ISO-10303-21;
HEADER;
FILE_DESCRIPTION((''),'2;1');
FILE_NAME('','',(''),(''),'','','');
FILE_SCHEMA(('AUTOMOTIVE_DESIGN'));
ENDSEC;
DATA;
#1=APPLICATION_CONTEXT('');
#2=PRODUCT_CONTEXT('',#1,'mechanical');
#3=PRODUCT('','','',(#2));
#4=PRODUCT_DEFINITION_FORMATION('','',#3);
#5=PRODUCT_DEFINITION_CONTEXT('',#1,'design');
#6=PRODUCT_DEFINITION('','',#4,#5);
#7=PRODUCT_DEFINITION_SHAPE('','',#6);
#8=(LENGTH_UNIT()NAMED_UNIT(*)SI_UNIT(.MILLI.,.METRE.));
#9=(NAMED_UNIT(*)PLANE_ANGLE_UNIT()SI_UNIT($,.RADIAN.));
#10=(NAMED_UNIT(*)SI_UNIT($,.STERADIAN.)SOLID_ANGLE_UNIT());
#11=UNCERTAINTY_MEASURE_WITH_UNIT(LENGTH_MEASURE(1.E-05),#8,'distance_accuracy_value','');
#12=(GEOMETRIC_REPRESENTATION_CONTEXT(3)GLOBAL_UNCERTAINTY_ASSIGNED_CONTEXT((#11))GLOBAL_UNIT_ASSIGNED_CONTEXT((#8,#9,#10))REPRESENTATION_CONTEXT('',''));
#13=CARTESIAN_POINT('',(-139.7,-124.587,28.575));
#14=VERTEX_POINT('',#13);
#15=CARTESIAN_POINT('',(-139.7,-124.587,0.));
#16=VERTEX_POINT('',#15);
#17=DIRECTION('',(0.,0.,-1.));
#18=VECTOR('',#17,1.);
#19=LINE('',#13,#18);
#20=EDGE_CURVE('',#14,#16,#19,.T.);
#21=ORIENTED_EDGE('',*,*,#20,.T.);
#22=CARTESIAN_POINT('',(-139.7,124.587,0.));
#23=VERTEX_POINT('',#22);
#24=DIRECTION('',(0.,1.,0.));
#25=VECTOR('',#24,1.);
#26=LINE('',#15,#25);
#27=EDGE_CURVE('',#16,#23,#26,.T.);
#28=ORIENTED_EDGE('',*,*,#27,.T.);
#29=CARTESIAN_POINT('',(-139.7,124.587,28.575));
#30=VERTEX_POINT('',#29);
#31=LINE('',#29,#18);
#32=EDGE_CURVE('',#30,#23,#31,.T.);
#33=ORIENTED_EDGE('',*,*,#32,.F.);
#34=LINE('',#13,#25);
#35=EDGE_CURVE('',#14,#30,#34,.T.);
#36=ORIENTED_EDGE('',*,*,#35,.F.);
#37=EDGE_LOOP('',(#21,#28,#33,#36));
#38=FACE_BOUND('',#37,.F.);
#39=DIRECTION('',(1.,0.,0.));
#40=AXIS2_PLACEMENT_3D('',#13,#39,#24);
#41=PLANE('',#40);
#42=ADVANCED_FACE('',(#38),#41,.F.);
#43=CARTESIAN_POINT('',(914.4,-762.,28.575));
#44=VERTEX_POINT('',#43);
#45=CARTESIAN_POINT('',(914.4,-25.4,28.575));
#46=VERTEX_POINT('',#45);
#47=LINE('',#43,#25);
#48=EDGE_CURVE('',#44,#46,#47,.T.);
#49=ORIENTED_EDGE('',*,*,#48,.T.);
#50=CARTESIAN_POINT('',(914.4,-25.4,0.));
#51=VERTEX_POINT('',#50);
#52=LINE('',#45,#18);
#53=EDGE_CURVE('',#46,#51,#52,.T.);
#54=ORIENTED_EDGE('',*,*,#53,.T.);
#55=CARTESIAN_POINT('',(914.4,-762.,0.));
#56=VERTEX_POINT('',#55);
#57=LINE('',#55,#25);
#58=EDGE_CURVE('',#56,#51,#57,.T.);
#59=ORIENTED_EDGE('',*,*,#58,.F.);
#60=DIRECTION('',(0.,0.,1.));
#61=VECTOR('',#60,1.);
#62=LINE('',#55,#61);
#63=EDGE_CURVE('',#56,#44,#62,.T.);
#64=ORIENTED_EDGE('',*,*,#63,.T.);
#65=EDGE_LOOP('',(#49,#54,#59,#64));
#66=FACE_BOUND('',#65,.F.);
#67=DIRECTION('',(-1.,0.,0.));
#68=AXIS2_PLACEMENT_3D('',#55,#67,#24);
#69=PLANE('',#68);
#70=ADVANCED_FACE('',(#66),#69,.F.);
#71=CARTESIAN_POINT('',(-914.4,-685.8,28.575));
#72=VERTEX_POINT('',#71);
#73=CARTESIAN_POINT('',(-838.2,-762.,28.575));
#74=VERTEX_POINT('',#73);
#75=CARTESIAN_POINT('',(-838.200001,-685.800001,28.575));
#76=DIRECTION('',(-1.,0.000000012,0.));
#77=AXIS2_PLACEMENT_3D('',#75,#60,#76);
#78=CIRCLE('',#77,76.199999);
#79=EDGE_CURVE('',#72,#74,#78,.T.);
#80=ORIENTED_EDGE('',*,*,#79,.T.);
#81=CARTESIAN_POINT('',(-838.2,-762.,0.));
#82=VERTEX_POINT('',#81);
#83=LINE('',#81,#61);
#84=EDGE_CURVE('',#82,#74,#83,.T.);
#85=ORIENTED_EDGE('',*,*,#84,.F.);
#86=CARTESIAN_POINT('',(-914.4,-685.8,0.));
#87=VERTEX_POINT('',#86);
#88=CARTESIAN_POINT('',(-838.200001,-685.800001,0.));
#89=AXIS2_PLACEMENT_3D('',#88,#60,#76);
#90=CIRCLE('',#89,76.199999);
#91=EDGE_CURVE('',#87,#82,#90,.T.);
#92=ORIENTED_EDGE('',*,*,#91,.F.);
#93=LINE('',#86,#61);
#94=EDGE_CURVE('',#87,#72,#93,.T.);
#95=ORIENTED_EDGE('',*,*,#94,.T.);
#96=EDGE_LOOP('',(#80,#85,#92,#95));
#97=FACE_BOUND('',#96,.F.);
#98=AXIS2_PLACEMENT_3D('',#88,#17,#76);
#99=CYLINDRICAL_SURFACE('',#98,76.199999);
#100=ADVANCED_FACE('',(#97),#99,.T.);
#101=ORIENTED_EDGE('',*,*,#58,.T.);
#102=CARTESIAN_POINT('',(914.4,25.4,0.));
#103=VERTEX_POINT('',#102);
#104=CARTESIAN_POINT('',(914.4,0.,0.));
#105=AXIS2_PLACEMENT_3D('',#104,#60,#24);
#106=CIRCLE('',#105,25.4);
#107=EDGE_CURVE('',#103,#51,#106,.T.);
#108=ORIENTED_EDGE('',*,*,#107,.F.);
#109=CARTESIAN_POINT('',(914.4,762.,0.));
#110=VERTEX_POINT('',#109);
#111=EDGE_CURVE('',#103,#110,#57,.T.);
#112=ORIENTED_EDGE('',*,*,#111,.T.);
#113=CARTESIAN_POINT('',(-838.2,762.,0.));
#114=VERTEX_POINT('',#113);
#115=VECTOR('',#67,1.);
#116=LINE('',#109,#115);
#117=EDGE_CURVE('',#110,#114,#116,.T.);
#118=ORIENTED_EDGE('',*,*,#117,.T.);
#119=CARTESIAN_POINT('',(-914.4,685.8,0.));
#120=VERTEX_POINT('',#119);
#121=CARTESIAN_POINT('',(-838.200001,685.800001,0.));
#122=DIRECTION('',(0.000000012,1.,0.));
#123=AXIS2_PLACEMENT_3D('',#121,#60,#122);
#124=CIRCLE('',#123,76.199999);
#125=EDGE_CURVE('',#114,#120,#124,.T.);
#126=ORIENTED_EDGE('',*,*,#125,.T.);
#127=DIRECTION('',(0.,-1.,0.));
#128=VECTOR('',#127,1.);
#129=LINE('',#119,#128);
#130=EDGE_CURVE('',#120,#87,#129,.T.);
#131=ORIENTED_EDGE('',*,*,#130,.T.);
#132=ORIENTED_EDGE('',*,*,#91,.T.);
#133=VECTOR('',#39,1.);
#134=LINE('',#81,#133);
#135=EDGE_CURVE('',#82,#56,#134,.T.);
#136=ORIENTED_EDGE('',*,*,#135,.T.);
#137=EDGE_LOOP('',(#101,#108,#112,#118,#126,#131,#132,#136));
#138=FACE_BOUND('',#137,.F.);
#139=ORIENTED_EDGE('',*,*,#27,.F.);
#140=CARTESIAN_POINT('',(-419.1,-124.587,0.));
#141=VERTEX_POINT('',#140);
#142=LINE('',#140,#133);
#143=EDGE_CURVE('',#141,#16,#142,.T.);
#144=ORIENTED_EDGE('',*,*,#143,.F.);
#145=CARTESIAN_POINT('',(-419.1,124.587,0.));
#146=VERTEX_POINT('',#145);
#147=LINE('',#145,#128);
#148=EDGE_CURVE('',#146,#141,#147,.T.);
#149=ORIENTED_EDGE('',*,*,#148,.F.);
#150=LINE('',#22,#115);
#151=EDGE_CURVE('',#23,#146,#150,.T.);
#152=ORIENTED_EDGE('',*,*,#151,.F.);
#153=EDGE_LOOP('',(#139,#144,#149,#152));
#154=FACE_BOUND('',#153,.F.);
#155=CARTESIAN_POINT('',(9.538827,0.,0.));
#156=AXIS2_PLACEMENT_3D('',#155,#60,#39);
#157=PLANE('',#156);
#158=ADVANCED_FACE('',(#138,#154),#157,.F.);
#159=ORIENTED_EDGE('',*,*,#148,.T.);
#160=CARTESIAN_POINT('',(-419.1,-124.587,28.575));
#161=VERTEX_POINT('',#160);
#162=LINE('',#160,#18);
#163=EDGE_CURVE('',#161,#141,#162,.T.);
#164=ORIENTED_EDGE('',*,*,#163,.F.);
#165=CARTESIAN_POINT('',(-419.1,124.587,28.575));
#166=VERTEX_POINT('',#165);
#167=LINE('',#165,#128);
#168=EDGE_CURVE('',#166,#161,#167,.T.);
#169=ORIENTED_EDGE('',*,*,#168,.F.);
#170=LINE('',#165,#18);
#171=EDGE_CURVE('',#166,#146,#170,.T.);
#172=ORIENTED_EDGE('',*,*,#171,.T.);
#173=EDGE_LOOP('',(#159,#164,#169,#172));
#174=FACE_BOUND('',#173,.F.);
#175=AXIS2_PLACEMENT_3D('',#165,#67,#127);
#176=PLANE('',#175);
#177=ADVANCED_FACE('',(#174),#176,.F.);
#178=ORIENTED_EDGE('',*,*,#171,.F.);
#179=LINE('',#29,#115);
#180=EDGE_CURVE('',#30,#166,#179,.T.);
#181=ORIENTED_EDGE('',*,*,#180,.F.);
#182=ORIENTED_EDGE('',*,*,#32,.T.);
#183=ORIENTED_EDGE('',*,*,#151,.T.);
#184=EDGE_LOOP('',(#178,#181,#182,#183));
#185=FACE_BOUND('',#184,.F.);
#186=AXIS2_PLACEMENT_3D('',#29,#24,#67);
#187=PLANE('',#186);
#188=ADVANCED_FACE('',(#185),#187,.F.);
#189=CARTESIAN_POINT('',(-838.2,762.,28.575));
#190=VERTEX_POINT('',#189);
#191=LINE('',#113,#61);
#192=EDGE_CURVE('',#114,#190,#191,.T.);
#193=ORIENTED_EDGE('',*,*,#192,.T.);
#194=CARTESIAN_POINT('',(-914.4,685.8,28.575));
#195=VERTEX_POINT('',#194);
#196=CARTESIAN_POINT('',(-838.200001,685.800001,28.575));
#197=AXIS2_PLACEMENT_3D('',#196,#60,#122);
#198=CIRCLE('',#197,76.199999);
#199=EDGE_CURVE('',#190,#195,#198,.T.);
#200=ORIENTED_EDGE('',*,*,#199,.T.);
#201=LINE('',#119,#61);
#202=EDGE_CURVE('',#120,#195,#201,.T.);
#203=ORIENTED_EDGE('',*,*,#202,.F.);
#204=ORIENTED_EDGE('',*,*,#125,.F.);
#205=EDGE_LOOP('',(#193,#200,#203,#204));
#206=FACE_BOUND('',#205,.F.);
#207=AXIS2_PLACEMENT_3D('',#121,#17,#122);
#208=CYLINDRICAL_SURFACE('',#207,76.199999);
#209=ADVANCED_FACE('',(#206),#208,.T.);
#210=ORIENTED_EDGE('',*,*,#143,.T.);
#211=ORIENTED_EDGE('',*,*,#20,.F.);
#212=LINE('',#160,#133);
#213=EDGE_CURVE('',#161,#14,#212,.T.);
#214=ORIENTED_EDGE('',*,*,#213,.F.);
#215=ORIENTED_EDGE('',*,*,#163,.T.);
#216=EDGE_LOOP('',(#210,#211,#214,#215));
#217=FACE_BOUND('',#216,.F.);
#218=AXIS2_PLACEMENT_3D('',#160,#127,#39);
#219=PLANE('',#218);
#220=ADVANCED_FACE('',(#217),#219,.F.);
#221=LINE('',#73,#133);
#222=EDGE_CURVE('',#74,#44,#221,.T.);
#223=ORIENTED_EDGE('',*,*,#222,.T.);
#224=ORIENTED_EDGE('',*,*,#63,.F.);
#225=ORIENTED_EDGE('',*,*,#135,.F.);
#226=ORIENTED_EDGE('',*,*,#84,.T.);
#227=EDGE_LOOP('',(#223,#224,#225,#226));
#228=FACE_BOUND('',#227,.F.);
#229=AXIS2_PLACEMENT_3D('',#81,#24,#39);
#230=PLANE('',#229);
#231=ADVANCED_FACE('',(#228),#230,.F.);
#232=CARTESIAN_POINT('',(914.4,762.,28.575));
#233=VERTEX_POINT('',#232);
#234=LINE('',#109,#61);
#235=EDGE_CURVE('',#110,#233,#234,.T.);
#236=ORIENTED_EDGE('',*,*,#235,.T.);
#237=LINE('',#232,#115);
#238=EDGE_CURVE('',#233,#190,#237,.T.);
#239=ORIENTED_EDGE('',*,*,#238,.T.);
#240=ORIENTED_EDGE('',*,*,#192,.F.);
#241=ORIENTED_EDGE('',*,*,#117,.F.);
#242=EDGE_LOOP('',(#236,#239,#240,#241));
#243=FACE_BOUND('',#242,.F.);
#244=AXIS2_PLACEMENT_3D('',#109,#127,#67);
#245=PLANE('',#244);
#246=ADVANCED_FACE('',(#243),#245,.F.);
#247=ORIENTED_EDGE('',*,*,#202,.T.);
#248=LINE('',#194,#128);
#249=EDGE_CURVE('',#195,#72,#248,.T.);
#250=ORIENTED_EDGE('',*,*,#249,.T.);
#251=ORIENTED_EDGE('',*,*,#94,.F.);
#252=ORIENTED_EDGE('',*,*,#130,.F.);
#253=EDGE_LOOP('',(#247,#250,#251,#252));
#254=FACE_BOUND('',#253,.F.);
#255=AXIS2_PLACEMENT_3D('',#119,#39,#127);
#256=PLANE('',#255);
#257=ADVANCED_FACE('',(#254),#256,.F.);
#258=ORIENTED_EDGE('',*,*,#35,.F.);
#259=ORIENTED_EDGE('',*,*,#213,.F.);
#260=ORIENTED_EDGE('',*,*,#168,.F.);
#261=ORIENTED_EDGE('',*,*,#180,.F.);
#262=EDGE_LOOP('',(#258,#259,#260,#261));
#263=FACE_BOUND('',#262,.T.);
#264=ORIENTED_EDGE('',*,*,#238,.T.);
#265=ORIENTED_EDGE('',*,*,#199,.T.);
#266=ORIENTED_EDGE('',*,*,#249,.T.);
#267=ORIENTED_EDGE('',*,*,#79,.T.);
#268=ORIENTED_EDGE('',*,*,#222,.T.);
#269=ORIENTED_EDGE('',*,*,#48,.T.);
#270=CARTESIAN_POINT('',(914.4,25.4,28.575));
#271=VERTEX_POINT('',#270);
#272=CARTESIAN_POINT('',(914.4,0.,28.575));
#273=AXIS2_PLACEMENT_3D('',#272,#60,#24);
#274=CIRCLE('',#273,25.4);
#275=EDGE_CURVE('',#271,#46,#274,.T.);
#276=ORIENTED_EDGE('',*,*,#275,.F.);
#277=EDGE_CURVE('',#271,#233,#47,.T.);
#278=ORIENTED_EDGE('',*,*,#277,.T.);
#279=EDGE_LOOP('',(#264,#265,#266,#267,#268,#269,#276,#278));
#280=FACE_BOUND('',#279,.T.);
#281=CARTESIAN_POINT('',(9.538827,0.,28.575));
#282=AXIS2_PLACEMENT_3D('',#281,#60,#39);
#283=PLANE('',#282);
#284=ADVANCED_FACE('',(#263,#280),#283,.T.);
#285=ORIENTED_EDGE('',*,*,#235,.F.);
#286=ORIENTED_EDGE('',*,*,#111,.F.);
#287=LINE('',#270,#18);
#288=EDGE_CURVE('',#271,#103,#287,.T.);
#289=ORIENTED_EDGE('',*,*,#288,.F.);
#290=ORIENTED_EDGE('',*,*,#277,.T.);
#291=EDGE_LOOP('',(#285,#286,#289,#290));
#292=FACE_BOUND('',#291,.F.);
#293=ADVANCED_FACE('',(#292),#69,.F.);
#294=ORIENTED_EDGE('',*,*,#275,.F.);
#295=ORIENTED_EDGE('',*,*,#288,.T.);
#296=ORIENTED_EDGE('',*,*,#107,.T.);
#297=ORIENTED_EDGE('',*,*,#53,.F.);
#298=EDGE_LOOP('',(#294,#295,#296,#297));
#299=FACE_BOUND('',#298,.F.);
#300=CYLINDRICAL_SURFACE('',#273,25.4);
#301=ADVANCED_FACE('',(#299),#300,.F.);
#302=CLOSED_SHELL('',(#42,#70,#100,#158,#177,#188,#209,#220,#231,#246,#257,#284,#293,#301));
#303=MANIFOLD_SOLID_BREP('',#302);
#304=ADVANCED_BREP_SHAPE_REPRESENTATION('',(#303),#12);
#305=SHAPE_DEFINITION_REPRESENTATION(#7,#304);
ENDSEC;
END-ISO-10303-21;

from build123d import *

# Parameters (mm, degrees)
F1_DEPTH = 28.575
F3_DEPTH = 28.575


with BuildPart() as f1:
    # F0 (on Top) → F1 (new body)
    with BuildSketch(Plane.XY):
        with BuildLine():
            Line((914.4, -762), (914.4, 762))
            Line((914.4, 762), (-838.2, 762))
            ThreePointArc((-838.2, 762), (-892.081537, 739.681537), (-914.4, 685.8))
            Line((-914.4, 685.8), (-914.4, -685.8))
            ThreePointArc((-914.4, -685.8), (-892.081537, -739.681537), (-838.2, -762))
            Line((-838.2, -762), (914.4, -762))
        make_face()
    extrude(amount=F1_DEPTH)

    # F2 (on face) → F3 (cut)
    with BuildSketch(Plane.XY.offset(28.575)):
        Polygon((-139.7, 0), (-139.7, 124.587), (-419.1, 124.587), (-419.1, -124.587), (-139.7, -124.587), align=None)
        with BuildLine():
            Line((914.4, -25.4), (914.4, 25.4))
            ThreePointArc((914.4, 25.4), (889, 0), (914.4, -25.4))
        make_face()
    extrude(amount=-F3_DEPTH, mode=Mode.SUBTRACT)


solid = f1.part
